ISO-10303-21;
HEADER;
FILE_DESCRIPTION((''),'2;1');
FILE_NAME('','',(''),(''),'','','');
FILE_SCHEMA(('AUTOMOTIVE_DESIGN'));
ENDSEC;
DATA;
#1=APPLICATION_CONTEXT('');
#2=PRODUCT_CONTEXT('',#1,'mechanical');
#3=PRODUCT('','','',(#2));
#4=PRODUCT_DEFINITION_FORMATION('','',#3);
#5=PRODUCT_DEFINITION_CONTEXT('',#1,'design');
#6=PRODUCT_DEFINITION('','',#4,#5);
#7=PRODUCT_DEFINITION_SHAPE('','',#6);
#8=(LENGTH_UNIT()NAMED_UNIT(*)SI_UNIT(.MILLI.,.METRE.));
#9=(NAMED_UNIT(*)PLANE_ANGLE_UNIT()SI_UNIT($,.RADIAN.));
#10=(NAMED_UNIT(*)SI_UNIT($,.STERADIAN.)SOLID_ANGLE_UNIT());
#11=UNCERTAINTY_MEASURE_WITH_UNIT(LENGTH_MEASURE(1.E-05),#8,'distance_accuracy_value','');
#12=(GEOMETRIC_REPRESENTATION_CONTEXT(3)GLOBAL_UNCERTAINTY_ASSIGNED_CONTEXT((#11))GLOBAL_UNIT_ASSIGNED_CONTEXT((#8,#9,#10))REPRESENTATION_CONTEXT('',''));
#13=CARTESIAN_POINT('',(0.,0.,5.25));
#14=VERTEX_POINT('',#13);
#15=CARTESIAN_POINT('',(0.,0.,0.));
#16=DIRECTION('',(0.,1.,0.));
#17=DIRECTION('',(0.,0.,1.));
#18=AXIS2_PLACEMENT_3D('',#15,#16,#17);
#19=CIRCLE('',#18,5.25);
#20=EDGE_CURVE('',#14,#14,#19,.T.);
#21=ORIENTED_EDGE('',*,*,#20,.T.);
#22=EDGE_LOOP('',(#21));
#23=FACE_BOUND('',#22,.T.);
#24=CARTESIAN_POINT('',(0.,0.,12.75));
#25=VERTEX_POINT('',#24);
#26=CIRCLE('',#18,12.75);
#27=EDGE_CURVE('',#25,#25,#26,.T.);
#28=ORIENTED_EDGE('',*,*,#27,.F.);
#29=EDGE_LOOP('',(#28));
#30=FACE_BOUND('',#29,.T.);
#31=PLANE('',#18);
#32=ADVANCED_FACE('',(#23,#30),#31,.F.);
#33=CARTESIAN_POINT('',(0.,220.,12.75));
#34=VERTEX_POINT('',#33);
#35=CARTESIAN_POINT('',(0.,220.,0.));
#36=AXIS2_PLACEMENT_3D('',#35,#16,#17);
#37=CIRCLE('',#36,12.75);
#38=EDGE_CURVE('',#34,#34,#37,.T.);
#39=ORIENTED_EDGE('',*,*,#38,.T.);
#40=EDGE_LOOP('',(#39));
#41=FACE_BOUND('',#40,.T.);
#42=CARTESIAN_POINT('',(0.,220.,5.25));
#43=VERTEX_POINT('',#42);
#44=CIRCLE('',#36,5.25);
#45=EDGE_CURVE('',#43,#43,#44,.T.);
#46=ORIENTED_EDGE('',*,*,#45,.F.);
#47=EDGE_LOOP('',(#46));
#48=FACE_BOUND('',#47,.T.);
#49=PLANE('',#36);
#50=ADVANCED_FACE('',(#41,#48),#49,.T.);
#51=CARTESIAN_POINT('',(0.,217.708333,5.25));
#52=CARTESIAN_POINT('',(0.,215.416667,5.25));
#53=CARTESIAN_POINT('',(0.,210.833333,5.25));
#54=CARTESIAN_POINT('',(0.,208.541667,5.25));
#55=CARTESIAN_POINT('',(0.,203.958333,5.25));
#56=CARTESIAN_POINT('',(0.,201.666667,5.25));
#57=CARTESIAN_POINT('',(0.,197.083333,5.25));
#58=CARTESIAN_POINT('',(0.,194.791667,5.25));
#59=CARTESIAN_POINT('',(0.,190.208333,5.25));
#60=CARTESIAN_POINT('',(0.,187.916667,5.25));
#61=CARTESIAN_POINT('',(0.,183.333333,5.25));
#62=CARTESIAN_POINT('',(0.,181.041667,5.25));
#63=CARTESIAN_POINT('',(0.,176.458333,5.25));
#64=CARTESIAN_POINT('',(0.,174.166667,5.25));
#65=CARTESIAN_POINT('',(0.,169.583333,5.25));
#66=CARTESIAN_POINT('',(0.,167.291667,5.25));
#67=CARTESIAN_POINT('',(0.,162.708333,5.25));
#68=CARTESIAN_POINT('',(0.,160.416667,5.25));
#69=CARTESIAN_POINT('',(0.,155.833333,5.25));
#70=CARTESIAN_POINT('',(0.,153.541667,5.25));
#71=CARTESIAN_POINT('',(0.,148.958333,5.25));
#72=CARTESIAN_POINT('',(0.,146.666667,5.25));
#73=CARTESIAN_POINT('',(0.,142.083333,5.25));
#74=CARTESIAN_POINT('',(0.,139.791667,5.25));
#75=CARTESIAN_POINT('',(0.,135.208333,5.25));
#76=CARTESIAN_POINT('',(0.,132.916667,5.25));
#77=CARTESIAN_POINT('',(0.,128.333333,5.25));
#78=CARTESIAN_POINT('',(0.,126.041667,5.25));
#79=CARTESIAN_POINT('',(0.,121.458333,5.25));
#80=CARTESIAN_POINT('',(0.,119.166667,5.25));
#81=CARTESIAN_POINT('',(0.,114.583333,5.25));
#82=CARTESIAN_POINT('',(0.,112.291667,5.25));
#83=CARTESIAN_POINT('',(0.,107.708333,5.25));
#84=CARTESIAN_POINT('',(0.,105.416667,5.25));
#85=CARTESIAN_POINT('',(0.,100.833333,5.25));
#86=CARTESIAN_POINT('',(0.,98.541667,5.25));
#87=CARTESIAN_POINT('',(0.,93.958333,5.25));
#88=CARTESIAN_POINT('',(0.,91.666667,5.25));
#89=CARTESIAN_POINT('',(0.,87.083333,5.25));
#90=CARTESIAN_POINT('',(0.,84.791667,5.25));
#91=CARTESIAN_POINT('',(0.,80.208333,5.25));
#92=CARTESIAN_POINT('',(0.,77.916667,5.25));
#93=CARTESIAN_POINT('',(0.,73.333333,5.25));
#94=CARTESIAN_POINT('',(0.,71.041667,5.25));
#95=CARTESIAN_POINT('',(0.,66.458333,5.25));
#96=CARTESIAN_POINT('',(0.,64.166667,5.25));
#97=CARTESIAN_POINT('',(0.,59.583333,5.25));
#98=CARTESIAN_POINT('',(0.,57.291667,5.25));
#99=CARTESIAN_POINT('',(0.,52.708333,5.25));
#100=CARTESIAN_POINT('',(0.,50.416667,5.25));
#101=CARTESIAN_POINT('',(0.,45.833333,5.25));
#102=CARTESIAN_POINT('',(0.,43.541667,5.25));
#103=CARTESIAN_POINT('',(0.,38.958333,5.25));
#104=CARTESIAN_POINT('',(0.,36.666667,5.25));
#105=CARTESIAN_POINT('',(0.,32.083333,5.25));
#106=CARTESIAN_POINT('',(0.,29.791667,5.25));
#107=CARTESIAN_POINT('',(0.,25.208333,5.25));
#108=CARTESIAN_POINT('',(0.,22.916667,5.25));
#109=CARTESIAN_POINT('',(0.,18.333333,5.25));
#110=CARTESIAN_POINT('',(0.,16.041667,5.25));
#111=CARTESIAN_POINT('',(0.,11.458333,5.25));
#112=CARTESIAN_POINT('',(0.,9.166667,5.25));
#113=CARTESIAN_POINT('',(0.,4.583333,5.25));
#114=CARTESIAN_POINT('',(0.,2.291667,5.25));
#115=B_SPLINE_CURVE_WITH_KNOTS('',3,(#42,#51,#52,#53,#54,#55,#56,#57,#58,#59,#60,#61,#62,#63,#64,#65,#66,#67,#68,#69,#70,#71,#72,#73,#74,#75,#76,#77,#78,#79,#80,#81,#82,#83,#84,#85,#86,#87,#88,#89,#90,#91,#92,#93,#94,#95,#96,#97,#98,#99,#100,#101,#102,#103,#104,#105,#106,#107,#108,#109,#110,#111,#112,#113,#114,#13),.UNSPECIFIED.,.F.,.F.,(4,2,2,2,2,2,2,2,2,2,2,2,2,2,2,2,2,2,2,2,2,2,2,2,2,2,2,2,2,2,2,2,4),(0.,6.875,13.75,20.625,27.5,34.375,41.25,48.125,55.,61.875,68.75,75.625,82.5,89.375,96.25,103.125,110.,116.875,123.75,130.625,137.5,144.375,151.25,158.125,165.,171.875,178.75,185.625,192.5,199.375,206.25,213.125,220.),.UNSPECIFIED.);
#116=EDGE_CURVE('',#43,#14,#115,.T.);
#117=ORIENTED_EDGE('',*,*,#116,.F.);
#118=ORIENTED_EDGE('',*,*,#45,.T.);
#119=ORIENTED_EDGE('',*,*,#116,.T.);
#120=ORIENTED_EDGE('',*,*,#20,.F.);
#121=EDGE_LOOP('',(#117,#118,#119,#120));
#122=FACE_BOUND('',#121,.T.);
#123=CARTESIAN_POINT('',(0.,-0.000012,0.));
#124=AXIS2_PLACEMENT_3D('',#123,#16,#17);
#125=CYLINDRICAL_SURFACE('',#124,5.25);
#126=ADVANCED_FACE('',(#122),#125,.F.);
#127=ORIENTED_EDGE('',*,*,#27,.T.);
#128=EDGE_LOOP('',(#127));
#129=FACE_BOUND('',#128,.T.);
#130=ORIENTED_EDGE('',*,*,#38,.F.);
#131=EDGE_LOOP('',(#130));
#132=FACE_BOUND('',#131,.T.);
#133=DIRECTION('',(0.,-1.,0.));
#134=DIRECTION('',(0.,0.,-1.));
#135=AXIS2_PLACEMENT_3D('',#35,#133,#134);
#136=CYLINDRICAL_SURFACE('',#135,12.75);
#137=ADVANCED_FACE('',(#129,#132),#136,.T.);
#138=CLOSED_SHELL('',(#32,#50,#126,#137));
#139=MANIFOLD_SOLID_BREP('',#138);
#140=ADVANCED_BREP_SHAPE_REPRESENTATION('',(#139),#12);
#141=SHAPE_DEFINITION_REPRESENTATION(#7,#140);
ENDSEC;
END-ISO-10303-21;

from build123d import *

# Parameters (mm, degrees)
SKETCH1_R               = 12.75
BOSS_EXTRUDE1_DEPTH     = 220
CUT_EXTRUDE1_DEPTH      = 221.737683688
CUT_EXTRUDE1_DEPTH_BACK = 221.737683688
SKETCH2_R               = 5.25


with BuildPart() as part:
    # Sketch1 → Boss-Extrude1 (new body)
    with BuildSketch(Plane(origin=(0, 0, 0), x_dir=(1, 0, 0), z_dir=(0, 1, 0))):
        with Locations(Location((0, 0, 0), (0, 0, 270))):
            Circle(SKETCH1_R)
    extrude(amount=BOSS_EXTRUDE1_DEPTH)

    # Sketch2 → Cut-Extrude1 (cut, two sides: drawn at the far end of the back side and taken through both)
    with BuildSketch(Plane(origin=(0, 0, 0), x_dir=(1, 0, 0), z_dir=(0, 1, 0)).offset(-CUT_EXTRUDE1_DEPTH_BACK)):
        with Locations(Location((0, 0, 0), (0, 0, 270))):
            Circle(SKETCH2_R)
    extrude(amount=CUT_EXTRUDE1_DEPTH + CUT_EXTRUDE1_DEPTH_BACK, mode=Mode.SUBTRACT)


solid = part.part
